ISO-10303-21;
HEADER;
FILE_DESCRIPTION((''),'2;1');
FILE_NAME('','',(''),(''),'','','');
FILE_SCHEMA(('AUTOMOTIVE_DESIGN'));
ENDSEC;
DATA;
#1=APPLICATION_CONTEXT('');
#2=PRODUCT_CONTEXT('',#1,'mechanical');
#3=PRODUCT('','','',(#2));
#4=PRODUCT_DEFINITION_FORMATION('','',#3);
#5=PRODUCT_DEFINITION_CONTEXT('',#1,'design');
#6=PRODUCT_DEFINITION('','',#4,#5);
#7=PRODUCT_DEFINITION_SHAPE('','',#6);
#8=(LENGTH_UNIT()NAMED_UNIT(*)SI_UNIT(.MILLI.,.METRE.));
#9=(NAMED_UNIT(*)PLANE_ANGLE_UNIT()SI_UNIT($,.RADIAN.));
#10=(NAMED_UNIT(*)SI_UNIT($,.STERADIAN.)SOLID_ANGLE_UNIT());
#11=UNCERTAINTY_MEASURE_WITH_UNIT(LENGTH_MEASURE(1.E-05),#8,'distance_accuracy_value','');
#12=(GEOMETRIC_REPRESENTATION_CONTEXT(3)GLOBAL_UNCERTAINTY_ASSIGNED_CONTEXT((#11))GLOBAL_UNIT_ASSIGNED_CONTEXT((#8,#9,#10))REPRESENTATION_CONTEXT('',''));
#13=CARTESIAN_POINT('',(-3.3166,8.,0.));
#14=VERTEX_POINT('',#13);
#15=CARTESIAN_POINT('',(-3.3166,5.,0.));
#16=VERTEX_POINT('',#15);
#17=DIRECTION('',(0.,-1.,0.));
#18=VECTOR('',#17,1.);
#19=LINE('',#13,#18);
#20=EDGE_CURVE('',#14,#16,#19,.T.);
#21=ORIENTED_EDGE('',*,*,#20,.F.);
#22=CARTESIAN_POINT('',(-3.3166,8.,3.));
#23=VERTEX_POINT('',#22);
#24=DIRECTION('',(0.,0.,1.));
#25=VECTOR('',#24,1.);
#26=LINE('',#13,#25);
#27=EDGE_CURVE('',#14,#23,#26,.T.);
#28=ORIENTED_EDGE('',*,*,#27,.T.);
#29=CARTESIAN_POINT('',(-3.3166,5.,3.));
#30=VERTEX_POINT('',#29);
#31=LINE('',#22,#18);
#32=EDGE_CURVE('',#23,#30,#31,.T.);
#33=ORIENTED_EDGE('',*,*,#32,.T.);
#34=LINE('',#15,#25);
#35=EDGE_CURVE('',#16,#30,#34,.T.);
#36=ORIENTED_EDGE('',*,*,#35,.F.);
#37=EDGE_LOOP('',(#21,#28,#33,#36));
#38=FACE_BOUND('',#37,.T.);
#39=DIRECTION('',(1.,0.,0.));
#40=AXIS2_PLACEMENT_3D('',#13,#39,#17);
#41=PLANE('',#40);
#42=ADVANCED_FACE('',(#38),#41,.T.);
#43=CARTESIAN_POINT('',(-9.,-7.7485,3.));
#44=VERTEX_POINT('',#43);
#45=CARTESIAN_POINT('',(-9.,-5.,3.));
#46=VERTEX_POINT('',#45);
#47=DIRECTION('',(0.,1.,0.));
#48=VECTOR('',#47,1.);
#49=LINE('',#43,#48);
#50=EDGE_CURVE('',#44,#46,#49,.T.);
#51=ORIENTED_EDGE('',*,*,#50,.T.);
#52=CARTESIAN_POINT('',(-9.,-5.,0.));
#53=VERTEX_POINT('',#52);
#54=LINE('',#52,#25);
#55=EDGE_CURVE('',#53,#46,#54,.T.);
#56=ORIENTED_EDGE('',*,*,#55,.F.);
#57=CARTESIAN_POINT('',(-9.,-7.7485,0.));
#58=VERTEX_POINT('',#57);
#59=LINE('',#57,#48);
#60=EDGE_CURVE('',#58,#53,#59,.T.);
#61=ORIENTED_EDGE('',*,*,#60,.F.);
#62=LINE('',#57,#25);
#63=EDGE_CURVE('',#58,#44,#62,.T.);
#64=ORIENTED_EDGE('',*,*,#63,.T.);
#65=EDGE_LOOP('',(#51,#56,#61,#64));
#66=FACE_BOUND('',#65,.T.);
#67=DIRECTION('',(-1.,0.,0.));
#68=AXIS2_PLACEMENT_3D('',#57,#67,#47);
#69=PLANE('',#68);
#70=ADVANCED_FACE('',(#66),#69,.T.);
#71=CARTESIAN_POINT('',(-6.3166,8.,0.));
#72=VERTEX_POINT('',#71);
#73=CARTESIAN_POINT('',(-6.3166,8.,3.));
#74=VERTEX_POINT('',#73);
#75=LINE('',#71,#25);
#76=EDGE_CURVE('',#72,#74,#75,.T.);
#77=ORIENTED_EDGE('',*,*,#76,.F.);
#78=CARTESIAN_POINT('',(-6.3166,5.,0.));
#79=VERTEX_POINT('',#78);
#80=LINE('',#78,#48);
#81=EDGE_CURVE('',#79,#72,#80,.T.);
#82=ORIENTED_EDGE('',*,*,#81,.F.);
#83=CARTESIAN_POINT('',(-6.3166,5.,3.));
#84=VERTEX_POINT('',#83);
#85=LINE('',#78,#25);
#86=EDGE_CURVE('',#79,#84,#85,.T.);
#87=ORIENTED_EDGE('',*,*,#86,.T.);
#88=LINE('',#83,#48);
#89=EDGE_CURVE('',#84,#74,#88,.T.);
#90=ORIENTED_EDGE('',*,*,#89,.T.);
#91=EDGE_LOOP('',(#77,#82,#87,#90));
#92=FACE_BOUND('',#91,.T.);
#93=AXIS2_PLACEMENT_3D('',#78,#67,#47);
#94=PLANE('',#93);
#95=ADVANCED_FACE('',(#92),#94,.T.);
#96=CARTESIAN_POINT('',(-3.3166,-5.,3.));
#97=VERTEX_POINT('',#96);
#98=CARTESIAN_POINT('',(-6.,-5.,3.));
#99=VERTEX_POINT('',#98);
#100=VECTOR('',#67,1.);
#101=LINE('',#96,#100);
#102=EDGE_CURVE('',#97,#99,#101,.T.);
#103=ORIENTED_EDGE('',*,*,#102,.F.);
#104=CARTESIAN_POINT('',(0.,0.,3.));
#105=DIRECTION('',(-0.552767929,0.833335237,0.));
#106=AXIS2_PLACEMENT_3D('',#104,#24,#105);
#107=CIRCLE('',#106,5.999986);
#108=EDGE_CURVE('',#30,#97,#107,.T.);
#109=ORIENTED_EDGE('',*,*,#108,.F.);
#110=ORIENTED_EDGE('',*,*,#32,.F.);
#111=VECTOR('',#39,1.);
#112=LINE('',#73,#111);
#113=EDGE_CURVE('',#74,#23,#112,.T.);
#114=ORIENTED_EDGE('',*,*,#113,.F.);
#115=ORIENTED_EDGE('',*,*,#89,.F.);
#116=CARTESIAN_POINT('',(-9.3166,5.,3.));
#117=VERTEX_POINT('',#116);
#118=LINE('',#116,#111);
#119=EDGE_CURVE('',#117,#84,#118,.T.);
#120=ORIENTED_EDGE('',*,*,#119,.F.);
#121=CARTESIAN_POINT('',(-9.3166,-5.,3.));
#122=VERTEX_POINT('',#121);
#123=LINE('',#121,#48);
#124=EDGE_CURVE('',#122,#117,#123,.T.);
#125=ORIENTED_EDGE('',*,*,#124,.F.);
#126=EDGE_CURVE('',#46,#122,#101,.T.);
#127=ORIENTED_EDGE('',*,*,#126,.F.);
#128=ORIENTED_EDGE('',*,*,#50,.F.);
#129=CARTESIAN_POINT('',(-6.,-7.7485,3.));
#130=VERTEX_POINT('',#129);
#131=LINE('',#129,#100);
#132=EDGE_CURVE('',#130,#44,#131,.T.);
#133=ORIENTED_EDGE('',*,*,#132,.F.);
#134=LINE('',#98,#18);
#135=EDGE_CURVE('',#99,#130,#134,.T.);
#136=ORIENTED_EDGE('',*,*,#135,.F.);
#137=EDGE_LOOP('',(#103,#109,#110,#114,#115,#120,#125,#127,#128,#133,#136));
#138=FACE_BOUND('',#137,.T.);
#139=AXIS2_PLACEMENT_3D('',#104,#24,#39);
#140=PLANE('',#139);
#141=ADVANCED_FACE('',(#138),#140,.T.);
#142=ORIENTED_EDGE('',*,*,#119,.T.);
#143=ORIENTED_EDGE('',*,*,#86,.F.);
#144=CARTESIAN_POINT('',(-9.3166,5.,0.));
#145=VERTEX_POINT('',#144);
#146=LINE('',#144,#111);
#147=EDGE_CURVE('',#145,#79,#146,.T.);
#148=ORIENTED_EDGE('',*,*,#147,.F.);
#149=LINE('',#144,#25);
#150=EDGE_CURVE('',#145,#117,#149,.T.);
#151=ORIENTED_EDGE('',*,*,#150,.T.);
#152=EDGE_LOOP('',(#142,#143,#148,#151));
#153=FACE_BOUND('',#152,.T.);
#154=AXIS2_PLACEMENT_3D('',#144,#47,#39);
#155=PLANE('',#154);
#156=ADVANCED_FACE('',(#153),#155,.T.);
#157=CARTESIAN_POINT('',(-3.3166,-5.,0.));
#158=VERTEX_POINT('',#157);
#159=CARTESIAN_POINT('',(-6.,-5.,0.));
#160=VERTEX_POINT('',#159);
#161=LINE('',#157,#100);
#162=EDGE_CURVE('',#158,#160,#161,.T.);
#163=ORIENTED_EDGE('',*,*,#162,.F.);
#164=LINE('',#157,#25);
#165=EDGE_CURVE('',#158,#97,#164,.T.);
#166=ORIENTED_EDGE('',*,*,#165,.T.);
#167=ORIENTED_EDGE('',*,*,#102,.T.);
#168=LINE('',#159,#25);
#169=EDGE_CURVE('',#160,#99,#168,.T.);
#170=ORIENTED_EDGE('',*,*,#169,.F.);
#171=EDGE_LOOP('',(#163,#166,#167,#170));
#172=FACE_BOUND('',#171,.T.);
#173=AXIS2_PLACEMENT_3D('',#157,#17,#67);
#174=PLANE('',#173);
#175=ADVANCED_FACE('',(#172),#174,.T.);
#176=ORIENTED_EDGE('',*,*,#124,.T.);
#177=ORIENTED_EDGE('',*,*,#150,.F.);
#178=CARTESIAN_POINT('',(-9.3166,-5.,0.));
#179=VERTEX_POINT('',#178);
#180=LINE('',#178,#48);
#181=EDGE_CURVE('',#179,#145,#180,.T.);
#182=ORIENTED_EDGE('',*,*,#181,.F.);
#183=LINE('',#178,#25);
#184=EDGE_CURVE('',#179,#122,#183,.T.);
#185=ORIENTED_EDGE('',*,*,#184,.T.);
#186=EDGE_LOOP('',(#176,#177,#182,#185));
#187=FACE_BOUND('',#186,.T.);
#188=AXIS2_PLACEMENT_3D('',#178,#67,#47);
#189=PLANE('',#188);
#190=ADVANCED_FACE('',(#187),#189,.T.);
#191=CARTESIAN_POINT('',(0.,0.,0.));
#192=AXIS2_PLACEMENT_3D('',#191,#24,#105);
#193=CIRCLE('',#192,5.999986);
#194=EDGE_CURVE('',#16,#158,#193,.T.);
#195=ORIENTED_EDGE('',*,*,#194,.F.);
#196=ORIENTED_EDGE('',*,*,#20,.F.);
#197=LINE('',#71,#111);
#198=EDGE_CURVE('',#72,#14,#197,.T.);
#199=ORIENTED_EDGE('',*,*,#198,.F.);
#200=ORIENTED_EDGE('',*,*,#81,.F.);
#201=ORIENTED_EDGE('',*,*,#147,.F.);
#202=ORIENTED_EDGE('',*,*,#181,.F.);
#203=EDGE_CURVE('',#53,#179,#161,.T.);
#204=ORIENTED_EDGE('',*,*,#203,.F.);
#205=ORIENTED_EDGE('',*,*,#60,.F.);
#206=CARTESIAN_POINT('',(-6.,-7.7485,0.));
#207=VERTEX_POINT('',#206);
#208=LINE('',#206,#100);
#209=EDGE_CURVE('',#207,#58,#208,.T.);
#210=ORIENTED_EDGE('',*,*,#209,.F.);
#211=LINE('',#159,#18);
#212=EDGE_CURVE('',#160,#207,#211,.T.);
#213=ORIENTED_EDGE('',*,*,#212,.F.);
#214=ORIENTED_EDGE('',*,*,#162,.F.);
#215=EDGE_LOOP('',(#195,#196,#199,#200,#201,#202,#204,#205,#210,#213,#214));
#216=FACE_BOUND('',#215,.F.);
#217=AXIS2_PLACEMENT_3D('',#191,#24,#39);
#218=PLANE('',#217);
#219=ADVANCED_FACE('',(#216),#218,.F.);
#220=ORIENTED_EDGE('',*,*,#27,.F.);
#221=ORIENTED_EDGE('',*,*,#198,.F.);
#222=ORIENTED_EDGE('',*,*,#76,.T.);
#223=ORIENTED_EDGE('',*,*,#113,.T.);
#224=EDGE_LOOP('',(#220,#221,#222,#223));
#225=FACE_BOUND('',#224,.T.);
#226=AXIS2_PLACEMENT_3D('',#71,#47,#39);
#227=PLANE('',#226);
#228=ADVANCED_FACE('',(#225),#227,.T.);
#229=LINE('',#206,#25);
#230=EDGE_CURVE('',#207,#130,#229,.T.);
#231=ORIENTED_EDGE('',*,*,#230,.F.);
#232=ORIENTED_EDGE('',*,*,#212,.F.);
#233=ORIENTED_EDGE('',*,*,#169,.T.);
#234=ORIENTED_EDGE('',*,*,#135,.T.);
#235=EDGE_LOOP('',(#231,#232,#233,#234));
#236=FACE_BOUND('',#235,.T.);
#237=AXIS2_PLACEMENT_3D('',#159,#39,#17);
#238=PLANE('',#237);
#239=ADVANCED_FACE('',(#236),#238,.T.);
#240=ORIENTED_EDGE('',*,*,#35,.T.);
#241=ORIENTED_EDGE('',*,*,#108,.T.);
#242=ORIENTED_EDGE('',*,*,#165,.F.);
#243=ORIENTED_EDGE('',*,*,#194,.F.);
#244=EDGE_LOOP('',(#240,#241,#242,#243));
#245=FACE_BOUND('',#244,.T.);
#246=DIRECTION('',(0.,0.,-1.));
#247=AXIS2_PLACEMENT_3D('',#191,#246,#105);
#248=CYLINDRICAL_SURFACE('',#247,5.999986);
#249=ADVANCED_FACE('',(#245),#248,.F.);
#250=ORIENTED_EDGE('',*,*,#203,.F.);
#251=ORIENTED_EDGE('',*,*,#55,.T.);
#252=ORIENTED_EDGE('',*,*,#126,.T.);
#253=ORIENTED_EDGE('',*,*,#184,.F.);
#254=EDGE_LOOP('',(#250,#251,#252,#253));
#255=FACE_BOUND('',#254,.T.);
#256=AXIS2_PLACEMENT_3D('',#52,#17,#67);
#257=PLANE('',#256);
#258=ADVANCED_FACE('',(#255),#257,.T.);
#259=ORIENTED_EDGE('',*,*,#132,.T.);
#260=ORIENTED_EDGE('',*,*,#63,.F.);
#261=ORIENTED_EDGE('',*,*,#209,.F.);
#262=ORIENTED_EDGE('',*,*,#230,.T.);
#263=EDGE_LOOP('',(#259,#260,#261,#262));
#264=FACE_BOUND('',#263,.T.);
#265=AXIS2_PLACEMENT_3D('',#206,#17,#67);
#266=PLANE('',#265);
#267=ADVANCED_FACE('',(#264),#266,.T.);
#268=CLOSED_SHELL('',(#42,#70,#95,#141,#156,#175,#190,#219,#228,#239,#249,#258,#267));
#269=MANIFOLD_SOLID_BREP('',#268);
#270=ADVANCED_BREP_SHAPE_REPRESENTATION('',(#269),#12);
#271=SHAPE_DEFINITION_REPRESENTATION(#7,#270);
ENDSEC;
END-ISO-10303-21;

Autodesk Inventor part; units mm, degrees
ref_plane "YZ Plane" through (0, 0, 0) normal (1, 0, 0) x (0, 1, 0)
ref_plane "XZ Plane" through (0, 0, 0) normal (0, 1, 0) x (-1, 0, 0)
ref_plane "XY Plane" through (0, 0, 0) normal (0, 0, 1) x (1, 0, 0)
sketch "草圖1" plane through (0, 0, 0) normal (0, 0, 1) x (1, 0, 0)
  arc A0 (-3.3166, 5) -> (-3.3166, -5) centre (0, 0) ccw
  line L0 (-3.3166, -5) -> (-9.3166, -5)
  line L1 (-9.3166, -5) -> (-9.3166, 5)
  line L2 (-9.3166, 5) -> (-3.3166, 5)
  line L3 (-3.3166, 5) -> (-3.3166, -5) construction
  line L4 (-6.3166, -5) -> (-3.3166, -5)
  line L5 (-6.3166, 8) -> (-3.3166, 8)
  line L6 (-3.3166, 8) -> (-3.3166, 5)
  line L7 (-3.3166, 5) -> (-6.3166, 5)
  line L8 (-6.3166, 5) -> (-6.3166, 8)
  line L9 (-3.3166, -5) -> (3.3166, -5)
  arc A1 (-3.3166, 5) -> (-3.3166, -5) centre (0, 0) ccw
  arc A2 (3.3166, -5) -> (3.3166, 5) centre (0, 0) ccw
  line L10 (3.3166, 5) -> (-3.3166, 5)
  line L11 (-9.3166, -5) -> (-6, -5)
  line L12 (-6, -5) -> (-6, -7.7485)
  line L13 (-6, -7.7485) -> (-9, -7.7485)
  line L14 (-9, -7.7485) -> (-9, -5)
  point P0 (-6, 0)
  point P1 (-6, -6.3742)
  dimension "d0" = 6
  dimension "d3" = 3
  dimension "d4" = 3
  dimension "d5" = 10
  dimension "d6" = 3
extrude "擠出1" add sketch "草圖1" along normal blind 3 contours A0 L0 L1 L2 | L2 L8 L5 L6 | L12 L13 L14 L0
sketch "草圖2" plane through (0, 0, 3) normal (0, 0, 1) x (1, 0, 0)
  line L0 (-6.3166, 8) -> (-6.3166, 5) projected
  line L1 (-6.3166, 5) -> (-9.3166, 5) projected
  line L2 (-9.3166, 5) -> (-9.3166, -5) projected
  line L3 (-9.3166, -5) -> (-9, -5) projected
  line L4 (-9, -5) -> (-9, -7.7485) projected
  line L5 (-9, -7.7485) -> (-6, -7.7485) projected
  line L6 (-6, -7.7485) -> (-6, -5) projected
  line L7 (-6, -5) -> (-3.3166, -5) projected
  arc A0 (-3.3166, 5) -> (-3.3166, -5) centre (0, 0) ccw projected
  line L8 (-3.3166, 5) -> (-3.3166, 8) projected
  line L9 (-3.3166, 8) -> (-6.3166, 8) projected
properties part number "motorbase_2"
